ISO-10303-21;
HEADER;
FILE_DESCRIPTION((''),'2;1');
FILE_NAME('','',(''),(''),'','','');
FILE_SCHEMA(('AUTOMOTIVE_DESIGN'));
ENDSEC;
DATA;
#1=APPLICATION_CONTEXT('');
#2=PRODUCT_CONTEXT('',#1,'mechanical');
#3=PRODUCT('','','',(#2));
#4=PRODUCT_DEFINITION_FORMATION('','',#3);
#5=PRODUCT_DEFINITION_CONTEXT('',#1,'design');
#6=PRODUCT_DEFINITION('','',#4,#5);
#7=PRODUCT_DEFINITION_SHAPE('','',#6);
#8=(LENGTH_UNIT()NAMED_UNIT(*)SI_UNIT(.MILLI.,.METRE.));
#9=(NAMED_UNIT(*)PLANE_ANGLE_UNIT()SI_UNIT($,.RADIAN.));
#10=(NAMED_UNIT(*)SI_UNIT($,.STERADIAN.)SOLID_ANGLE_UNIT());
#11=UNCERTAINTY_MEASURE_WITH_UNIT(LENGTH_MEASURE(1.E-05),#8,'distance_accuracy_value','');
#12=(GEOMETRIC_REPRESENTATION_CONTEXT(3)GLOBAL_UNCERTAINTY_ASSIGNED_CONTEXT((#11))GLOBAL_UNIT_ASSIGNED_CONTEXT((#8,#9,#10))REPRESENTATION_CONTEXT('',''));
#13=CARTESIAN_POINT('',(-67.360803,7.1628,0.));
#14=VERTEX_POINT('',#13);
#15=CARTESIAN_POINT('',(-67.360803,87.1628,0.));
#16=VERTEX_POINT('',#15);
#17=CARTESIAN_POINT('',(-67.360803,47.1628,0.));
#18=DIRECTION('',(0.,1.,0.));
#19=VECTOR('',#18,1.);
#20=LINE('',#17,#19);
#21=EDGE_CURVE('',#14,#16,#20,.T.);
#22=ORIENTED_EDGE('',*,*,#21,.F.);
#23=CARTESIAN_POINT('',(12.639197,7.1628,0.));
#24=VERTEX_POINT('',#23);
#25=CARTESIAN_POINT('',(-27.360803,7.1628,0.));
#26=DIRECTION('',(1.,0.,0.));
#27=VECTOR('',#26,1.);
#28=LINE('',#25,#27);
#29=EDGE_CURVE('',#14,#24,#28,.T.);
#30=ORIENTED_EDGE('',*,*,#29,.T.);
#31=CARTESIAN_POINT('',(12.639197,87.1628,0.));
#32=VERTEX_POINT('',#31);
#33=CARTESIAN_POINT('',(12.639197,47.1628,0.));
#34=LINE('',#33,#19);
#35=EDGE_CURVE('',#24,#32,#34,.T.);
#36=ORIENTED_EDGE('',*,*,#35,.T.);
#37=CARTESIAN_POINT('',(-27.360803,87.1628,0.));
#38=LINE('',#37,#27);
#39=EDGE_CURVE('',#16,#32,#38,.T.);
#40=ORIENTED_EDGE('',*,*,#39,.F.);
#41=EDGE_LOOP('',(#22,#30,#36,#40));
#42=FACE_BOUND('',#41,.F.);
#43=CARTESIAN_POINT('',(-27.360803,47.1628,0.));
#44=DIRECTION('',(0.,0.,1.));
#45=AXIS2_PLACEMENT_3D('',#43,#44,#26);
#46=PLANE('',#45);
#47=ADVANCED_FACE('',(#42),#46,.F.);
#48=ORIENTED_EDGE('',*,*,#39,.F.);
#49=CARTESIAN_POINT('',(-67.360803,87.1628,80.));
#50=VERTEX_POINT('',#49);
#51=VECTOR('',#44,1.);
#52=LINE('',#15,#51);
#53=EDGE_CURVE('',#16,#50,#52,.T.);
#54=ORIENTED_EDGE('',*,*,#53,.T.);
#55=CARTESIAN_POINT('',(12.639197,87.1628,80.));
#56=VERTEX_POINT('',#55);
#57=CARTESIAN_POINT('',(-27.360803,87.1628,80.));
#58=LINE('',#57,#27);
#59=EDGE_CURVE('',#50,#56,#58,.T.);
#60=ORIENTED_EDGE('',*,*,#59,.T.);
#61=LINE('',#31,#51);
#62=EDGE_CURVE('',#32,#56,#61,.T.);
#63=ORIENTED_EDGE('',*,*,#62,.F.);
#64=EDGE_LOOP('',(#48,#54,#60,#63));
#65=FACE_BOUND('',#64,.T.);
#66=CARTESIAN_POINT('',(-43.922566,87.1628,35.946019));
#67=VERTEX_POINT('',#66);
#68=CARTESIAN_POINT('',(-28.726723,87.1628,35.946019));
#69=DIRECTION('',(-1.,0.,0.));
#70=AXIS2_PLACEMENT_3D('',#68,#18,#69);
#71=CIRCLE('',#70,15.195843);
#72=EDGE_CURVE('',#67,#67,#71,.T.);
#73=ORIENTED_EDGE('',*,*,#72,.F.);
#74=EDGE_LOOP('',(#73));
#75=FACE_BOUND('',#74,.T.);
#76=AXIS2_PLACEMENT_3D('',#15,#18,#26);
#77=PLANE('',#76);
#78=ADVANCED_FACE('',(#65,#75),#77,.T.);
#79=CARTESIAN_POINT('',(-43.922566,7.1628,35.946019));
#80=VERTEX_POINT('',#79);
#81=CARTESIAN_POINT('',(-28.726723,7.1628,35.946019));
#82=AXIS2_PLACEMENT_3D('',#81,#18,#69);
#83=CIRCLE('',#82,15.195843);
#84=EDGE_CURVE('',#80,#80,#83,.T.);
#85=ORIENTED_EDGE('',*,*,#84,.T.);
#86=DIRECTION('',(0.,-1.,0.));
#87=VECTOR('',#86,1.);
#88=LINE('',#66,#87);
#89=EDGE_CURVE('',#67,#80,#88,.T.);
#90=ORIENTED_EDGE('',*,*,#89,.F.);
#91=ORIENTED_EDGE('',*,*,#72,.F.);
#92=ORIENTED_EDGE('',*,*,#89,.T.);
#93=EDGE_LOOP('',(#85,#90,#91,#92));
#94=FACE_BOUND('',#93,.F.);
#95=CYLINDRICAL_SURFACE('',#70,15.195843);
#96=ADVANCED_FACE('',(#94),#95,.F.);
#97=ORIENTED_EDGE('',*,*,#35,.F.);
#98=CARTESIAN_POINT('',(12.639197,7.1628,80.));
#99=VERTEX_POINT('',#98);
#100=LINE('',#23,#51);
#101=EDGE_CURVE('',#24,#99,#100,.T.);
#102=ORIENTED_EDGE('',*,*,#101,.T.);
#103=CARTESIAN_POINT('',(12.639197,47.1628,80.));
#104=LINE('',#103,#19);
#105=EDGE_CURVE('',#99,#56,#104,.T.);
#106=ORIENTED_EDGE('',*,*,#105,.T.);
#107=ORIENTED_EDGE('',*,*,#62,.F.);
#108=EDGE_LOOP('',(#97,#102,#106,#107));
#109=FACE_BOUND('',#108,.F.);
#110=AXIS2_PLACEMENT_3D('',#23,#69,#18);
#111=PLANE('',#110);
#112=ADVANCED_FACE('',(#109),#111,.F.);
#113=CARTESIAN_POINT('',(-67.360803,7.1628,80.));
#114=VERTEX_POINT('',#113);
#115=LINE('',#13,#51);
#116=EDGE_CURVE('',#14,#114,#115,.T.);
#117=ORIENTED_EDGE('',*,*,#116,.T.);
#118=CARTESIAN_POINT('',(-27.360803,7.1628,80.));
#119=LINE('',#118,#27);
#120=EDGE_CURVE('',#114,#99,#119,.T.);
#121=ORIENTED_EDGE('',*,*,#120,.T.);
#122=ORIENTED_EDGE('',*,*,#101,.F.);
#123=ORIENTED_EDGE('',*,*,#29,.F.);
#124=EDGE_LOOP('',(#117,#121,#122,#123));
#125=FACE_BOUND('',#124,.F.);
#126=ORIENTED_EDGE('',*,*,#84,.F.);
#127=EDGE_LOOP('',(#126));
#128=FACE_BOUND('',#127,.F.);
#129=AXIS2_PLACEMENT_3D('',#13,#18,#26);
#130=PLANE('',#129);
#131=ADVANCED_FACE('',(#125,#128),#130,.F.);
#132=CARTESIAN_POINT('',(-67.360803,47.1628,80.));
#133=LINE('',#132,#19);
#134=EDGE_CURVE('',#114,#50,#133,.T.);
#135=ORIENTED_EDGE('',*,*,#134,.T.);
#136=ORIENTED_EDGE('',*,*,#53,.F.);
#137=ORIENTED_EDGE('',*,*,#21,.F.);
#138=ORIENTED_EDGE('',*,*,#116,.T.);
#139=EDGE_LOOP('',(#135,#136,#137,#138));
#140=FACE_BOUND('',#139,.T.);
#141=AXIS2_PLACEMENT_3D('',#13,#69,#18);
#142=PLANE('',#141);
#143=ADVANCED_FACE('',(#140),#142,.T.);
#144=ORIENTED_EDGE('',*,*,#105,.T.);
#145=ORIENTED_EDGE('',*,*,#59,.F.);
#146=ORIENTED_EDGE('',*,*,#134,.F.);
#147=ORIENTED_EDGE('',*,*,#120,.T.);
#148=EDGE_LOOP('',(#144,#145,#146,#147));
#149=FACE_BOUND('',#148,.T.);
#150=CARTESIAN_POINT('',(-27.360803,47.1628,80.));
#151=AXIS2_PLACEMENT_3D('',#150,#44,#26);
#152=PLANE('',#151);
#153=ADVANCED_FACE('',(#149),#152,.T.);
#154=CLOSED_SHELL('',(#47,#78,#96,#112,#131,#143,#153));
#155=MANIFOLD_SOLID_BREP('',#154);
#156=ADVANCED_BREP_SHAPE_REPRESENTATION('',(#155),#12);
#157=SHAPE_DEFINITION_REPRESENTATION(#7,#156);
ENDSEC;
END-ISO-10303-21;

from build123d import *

# Parameters (mm, degrees)
F0_W     = 80
F0_H     = 80
F1_DEPTH = 80
F2_R     = 15.195843
F3_DEPTH = 80.001


with BuildPart() as f1:
    # F0 (on Top) → F1 (new body)
    with BuildSketch(Plane.XY):
        with Locations((-27.360803, 47.1628)):
            Rectangle(F0_W, F0_H)
    extrude(amount=F1_DEPTH)

    # F2 (on face) → F3 (cut, through all)
    with BuildSketch(Plane(origin=(0, 87.1628, 0), x_dir=(-1, 0, 0), z_dir=(0, 1, 0))):
        with Locations((28.726723, 35.946019)):
            Circle(F2_R)
    extrude(amount=-F3_DEPTH, mode=Mode.SUBTRACT)


solid = f1.part
